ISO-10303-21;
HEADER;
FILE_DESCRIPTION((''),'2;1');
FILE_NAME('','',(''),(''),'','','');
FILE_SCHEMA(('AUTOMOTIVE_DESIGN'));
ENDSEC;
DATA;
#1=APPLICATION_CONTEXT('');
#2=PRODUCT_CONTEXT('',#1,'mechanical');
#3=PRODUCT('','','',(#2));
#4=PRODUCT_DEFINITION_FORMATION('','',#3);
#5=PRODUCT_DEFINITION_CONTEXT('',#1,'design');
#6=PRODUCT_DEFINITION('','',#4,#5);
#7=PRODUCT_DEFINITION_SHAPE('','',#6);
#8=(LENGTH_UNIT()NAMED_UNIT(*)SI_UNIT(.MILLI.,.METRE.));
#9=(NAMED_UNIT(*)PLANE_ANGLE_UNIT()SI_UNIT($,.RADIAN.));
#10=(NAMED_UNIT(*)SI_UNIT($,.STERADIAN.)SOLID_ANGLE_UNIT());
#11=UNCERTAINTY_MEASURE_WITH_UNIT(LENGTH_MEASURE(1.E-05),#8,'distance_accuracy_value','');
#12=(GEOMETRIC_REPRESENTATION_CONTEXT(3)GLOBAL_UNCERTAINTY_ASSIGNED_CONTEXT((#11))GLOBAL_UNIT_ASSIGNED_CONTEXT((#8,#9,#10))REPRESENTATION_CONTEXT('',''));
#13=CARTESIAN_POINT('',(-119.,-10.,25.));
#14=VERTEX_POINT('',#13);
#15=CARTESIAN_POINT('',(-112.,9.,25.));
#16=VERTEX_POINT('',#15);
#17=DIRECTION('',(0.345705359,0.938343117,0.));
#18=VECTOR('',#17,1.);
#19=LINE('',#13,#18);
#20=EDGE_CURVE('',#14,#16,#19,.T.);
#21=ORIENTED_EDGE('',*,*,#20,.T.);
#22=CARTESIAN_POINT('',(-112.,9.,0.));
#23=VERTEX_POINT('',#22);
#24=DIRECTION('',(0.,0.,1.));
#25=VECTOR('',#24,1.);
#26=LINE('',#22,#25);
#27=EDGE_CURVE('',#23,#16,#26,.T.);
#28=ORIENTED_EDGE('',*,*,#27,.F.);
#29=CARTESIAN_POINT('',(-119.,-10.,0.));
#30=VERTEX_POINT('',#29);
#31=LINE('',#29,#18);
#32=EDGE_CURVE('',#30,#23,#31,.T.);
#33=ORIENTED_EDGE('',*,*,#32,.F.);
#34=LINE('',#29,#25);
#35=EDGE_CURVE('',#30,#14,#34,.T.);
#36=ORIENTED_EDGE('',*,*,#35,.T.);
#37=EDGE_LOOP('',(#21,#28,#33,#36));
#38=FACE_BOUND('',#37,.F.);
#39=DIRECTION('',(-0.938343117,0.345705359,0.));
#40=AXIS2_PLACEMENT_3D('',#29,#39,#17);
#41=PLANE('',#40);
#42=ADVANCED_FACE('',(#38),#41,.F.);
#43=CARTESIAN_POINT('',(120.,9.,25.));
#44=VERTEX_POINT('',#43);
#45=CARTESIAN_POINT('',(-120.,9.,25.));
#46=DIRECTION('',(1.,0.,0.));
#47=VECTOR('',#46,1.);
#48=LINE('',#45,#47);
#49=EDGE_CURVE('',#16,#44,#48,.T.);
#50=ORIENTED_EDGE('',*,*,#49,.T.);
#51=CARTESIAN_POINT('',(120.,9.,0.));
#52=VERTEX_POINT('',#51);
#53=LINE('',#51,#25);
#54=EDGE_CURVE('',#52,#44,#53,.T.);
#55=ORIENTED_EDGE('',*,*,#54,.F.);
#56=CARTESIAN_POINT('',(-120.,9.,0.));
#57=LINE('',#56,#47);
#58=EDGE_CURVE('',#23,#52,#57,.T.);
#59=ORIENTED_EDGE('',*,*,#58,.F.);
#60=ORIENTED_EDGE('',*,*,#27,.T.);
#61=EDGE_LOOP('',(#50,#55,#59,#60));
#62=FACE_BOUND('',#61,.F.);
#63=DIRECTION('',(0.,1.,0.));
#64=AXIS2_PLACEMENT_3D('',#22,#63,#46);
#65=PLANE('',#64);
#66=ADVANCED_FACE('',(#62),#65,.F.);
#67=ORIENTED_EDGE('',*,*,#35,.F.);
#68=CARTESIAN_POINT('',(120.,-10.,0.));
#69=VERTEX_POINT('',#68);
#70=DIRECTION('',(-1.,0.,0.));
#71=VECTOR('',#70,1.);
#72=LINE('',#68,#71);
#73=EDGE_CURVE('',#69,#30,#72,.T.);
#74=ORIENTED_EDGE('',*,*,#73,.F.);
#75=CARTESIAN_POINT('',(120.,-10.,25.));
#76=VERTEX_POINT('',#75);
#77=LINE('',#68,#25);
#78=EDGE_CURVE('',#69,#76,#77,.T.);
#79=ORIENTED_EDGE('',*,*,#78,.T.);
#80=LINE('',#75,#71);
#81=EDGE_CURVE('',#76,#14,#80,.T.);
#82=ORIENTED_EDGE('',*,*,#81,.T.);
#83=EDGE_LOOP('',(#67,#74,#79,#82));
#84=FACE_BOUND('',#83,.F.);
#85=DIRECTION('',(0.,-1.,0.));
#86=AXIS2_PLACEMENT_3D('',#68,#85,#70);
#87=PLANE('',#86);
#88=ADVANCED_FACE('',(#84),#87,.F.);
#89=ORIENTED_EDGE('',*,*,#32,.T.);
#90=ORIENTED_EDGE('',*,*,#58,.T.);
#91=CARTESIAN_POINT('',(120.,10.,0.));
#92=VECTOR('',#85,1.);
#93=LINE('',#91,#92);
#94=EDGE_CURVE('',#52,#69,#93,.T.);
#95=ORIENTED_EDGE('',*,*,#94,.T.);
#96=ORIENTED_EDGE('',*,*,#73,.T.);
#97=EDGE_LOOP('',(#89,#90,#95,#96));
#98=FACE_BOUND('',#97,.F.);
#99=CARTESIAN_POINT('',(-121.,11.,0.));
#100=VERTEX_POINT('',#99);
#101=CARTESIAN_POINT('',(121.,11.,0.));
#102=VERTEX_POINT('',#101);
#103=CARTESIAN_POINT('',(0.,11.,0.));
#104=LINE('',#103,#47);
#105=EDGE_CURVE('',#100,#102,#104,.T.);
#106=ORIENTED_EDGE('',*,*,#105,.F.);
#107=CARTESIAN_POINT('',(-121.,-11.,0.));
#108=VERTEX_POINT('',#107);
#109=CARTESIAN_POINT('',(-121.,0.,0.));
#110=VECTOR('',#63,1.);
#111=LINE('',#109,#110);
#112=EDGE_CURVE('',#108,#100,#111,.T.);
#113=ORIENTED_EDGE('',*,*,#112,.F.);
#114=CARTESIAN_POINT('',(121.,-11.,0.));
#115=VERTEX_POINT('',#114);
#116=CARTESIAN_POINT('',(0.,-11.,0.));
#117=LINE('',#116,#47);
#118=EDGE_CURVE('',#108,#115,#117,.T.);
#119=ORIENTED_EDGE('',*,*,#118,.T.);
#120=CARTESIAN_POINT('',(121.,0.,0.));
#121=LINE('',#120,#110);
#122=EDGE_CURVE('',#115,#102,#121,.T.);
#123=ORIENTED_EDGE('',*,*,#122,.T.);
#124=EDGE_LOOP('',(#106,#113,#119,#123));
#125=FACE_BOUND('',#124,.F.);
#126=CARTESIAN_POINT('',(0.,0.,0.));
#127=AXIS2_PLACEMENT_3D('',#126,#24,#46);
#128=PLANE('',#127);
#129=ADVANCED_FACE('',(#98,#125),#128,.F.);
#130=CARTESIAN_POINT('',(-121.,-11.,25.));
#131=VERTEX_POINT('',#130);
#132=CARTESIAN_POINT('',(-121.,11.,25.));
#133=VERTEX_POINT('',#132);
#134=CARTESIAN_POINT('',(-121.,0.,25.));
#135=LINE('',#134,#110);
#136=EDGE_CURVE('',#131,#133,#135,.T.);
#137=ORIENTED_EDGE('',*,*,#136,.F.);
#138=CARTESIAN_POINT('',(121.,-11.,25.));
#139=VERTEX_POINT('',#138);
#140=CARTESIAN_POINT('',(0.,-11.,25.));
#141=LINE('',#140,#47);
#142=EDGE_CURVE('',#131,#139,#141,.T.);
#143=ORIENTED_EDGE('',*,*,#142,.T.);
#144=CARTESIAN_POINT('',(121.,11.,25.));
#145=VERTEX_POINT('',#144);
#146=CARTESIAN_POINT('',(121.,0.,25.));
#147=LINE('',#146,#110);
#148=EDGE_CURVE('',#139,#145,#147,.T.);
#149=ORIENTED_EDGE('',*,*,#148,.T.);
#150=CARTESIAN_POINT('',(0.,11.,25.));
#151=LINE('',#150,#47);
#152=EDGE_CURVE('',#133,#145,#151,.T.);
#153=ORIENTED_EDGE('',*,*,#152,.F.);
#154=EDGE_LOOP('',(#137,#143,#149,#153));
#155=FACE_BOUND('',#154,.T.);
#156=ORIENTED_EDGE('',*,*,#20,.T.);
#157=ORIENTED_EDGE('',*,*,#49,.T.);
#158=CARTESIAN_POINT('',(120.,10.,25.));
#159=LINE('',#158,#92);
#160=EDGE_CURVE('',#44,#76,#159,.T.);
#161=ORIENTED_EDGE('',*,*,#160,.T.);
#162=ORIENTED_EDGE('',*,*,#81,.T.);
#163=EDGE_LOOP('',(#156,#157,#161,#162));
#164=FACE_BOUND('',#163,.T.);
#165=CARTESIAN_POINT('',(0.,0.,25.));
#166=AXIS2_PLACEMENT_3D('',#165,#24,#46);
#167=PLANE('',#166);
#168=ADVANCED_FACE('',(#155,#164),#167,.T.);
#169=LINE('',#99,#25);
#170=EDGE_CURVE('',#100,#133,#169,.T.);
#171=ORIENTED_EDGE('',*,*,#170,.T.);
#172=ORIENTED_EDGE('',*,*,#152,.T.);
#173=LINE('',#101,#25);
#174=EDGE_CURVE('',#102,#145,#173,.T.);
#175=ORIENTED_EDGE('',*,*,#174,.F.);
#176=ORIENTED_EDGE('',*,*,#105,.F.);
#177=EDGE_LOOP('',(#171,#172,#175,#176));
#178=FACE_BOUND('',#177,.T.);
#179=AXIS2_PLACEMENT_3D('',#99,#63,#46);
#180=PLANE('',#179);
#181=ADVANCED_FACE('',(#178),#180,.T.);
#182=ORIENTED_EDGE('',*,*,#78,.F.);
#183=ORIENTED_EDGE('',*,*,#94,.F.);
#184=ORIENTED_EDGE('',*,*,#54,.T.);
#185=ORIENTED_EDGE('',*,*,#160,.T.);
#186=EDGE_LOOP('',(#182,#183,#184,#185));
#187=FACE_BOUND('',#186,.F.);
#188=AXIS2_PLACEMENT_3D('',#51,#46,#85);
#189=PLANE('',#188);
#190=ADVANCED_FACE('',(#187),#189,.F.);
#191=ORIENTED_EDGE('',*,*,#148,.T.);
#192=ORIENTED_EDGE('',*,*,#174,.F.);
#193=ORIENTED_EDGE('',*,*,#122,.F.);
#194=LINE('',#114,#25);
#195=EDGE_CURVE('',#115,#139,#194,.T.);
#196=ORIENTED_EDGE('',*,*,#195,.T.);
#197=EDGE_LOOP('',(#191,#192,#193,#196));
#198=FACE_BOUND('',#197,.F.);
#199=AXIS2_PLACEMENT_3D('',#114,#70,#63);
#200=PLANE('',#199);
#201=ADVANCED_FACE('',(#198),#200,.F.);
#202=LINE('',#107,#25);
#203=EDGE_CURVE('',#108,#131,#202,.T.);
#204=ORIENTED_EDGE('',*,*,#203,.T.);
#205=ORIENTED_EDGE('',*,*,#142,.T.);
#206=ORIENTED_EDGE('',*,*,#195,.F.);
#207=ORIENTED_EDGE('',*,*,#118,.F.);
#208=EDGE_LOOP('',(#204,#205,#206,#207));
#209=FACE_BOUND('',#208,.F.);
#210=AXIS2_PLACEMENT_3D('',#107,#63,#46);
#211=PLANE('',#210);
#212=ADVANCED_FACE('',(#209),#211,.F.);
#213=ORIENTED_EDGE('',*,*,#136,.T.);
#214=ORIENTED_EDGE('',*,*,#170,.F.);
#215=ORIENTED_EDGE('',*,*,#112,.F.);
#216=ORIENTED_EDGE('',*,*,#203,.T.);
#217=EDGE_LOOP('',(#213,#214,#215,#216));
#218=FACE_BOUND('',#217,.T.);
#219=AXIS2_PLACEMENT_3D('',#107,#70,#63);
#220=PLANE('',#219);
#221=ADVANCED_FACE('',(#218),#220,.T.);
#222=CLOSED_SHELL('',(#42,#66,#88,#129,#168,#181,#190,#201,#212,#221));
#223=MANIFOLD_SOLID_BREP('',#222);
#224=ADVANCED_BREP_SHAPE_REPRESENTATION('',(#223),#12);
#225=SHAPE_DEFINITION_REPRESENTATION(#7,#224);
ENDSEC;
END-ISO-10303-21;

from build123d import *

# Parameters (mm, degrees)
F0_W     = 242
F0_H     = 22
F1_DEPTH = 25


with BuildPart() as f1:
    # F0 (on Top) → F1 (new body)
    with BuildSketch(Plane.XY):
        Rectangle(F0_W, F0_H)
        Polygon((-120, 9), (-120, 10), (120, 10), (120, 9), (120, -10), (-119, -10), (-120, -10), align=None, mode=Mode.SUBTRACT)
        Polygon((120, 10), (-120, 10), (-120, 9), (-112, 9), (-86.460605, 9), (120, 9), align=None)
        Polygon((-112, 9), (-120, 9), (-120, -10), (-119, -10), align=None)
    extrude(amount=F1_DEPTH)


solid = f1.part
